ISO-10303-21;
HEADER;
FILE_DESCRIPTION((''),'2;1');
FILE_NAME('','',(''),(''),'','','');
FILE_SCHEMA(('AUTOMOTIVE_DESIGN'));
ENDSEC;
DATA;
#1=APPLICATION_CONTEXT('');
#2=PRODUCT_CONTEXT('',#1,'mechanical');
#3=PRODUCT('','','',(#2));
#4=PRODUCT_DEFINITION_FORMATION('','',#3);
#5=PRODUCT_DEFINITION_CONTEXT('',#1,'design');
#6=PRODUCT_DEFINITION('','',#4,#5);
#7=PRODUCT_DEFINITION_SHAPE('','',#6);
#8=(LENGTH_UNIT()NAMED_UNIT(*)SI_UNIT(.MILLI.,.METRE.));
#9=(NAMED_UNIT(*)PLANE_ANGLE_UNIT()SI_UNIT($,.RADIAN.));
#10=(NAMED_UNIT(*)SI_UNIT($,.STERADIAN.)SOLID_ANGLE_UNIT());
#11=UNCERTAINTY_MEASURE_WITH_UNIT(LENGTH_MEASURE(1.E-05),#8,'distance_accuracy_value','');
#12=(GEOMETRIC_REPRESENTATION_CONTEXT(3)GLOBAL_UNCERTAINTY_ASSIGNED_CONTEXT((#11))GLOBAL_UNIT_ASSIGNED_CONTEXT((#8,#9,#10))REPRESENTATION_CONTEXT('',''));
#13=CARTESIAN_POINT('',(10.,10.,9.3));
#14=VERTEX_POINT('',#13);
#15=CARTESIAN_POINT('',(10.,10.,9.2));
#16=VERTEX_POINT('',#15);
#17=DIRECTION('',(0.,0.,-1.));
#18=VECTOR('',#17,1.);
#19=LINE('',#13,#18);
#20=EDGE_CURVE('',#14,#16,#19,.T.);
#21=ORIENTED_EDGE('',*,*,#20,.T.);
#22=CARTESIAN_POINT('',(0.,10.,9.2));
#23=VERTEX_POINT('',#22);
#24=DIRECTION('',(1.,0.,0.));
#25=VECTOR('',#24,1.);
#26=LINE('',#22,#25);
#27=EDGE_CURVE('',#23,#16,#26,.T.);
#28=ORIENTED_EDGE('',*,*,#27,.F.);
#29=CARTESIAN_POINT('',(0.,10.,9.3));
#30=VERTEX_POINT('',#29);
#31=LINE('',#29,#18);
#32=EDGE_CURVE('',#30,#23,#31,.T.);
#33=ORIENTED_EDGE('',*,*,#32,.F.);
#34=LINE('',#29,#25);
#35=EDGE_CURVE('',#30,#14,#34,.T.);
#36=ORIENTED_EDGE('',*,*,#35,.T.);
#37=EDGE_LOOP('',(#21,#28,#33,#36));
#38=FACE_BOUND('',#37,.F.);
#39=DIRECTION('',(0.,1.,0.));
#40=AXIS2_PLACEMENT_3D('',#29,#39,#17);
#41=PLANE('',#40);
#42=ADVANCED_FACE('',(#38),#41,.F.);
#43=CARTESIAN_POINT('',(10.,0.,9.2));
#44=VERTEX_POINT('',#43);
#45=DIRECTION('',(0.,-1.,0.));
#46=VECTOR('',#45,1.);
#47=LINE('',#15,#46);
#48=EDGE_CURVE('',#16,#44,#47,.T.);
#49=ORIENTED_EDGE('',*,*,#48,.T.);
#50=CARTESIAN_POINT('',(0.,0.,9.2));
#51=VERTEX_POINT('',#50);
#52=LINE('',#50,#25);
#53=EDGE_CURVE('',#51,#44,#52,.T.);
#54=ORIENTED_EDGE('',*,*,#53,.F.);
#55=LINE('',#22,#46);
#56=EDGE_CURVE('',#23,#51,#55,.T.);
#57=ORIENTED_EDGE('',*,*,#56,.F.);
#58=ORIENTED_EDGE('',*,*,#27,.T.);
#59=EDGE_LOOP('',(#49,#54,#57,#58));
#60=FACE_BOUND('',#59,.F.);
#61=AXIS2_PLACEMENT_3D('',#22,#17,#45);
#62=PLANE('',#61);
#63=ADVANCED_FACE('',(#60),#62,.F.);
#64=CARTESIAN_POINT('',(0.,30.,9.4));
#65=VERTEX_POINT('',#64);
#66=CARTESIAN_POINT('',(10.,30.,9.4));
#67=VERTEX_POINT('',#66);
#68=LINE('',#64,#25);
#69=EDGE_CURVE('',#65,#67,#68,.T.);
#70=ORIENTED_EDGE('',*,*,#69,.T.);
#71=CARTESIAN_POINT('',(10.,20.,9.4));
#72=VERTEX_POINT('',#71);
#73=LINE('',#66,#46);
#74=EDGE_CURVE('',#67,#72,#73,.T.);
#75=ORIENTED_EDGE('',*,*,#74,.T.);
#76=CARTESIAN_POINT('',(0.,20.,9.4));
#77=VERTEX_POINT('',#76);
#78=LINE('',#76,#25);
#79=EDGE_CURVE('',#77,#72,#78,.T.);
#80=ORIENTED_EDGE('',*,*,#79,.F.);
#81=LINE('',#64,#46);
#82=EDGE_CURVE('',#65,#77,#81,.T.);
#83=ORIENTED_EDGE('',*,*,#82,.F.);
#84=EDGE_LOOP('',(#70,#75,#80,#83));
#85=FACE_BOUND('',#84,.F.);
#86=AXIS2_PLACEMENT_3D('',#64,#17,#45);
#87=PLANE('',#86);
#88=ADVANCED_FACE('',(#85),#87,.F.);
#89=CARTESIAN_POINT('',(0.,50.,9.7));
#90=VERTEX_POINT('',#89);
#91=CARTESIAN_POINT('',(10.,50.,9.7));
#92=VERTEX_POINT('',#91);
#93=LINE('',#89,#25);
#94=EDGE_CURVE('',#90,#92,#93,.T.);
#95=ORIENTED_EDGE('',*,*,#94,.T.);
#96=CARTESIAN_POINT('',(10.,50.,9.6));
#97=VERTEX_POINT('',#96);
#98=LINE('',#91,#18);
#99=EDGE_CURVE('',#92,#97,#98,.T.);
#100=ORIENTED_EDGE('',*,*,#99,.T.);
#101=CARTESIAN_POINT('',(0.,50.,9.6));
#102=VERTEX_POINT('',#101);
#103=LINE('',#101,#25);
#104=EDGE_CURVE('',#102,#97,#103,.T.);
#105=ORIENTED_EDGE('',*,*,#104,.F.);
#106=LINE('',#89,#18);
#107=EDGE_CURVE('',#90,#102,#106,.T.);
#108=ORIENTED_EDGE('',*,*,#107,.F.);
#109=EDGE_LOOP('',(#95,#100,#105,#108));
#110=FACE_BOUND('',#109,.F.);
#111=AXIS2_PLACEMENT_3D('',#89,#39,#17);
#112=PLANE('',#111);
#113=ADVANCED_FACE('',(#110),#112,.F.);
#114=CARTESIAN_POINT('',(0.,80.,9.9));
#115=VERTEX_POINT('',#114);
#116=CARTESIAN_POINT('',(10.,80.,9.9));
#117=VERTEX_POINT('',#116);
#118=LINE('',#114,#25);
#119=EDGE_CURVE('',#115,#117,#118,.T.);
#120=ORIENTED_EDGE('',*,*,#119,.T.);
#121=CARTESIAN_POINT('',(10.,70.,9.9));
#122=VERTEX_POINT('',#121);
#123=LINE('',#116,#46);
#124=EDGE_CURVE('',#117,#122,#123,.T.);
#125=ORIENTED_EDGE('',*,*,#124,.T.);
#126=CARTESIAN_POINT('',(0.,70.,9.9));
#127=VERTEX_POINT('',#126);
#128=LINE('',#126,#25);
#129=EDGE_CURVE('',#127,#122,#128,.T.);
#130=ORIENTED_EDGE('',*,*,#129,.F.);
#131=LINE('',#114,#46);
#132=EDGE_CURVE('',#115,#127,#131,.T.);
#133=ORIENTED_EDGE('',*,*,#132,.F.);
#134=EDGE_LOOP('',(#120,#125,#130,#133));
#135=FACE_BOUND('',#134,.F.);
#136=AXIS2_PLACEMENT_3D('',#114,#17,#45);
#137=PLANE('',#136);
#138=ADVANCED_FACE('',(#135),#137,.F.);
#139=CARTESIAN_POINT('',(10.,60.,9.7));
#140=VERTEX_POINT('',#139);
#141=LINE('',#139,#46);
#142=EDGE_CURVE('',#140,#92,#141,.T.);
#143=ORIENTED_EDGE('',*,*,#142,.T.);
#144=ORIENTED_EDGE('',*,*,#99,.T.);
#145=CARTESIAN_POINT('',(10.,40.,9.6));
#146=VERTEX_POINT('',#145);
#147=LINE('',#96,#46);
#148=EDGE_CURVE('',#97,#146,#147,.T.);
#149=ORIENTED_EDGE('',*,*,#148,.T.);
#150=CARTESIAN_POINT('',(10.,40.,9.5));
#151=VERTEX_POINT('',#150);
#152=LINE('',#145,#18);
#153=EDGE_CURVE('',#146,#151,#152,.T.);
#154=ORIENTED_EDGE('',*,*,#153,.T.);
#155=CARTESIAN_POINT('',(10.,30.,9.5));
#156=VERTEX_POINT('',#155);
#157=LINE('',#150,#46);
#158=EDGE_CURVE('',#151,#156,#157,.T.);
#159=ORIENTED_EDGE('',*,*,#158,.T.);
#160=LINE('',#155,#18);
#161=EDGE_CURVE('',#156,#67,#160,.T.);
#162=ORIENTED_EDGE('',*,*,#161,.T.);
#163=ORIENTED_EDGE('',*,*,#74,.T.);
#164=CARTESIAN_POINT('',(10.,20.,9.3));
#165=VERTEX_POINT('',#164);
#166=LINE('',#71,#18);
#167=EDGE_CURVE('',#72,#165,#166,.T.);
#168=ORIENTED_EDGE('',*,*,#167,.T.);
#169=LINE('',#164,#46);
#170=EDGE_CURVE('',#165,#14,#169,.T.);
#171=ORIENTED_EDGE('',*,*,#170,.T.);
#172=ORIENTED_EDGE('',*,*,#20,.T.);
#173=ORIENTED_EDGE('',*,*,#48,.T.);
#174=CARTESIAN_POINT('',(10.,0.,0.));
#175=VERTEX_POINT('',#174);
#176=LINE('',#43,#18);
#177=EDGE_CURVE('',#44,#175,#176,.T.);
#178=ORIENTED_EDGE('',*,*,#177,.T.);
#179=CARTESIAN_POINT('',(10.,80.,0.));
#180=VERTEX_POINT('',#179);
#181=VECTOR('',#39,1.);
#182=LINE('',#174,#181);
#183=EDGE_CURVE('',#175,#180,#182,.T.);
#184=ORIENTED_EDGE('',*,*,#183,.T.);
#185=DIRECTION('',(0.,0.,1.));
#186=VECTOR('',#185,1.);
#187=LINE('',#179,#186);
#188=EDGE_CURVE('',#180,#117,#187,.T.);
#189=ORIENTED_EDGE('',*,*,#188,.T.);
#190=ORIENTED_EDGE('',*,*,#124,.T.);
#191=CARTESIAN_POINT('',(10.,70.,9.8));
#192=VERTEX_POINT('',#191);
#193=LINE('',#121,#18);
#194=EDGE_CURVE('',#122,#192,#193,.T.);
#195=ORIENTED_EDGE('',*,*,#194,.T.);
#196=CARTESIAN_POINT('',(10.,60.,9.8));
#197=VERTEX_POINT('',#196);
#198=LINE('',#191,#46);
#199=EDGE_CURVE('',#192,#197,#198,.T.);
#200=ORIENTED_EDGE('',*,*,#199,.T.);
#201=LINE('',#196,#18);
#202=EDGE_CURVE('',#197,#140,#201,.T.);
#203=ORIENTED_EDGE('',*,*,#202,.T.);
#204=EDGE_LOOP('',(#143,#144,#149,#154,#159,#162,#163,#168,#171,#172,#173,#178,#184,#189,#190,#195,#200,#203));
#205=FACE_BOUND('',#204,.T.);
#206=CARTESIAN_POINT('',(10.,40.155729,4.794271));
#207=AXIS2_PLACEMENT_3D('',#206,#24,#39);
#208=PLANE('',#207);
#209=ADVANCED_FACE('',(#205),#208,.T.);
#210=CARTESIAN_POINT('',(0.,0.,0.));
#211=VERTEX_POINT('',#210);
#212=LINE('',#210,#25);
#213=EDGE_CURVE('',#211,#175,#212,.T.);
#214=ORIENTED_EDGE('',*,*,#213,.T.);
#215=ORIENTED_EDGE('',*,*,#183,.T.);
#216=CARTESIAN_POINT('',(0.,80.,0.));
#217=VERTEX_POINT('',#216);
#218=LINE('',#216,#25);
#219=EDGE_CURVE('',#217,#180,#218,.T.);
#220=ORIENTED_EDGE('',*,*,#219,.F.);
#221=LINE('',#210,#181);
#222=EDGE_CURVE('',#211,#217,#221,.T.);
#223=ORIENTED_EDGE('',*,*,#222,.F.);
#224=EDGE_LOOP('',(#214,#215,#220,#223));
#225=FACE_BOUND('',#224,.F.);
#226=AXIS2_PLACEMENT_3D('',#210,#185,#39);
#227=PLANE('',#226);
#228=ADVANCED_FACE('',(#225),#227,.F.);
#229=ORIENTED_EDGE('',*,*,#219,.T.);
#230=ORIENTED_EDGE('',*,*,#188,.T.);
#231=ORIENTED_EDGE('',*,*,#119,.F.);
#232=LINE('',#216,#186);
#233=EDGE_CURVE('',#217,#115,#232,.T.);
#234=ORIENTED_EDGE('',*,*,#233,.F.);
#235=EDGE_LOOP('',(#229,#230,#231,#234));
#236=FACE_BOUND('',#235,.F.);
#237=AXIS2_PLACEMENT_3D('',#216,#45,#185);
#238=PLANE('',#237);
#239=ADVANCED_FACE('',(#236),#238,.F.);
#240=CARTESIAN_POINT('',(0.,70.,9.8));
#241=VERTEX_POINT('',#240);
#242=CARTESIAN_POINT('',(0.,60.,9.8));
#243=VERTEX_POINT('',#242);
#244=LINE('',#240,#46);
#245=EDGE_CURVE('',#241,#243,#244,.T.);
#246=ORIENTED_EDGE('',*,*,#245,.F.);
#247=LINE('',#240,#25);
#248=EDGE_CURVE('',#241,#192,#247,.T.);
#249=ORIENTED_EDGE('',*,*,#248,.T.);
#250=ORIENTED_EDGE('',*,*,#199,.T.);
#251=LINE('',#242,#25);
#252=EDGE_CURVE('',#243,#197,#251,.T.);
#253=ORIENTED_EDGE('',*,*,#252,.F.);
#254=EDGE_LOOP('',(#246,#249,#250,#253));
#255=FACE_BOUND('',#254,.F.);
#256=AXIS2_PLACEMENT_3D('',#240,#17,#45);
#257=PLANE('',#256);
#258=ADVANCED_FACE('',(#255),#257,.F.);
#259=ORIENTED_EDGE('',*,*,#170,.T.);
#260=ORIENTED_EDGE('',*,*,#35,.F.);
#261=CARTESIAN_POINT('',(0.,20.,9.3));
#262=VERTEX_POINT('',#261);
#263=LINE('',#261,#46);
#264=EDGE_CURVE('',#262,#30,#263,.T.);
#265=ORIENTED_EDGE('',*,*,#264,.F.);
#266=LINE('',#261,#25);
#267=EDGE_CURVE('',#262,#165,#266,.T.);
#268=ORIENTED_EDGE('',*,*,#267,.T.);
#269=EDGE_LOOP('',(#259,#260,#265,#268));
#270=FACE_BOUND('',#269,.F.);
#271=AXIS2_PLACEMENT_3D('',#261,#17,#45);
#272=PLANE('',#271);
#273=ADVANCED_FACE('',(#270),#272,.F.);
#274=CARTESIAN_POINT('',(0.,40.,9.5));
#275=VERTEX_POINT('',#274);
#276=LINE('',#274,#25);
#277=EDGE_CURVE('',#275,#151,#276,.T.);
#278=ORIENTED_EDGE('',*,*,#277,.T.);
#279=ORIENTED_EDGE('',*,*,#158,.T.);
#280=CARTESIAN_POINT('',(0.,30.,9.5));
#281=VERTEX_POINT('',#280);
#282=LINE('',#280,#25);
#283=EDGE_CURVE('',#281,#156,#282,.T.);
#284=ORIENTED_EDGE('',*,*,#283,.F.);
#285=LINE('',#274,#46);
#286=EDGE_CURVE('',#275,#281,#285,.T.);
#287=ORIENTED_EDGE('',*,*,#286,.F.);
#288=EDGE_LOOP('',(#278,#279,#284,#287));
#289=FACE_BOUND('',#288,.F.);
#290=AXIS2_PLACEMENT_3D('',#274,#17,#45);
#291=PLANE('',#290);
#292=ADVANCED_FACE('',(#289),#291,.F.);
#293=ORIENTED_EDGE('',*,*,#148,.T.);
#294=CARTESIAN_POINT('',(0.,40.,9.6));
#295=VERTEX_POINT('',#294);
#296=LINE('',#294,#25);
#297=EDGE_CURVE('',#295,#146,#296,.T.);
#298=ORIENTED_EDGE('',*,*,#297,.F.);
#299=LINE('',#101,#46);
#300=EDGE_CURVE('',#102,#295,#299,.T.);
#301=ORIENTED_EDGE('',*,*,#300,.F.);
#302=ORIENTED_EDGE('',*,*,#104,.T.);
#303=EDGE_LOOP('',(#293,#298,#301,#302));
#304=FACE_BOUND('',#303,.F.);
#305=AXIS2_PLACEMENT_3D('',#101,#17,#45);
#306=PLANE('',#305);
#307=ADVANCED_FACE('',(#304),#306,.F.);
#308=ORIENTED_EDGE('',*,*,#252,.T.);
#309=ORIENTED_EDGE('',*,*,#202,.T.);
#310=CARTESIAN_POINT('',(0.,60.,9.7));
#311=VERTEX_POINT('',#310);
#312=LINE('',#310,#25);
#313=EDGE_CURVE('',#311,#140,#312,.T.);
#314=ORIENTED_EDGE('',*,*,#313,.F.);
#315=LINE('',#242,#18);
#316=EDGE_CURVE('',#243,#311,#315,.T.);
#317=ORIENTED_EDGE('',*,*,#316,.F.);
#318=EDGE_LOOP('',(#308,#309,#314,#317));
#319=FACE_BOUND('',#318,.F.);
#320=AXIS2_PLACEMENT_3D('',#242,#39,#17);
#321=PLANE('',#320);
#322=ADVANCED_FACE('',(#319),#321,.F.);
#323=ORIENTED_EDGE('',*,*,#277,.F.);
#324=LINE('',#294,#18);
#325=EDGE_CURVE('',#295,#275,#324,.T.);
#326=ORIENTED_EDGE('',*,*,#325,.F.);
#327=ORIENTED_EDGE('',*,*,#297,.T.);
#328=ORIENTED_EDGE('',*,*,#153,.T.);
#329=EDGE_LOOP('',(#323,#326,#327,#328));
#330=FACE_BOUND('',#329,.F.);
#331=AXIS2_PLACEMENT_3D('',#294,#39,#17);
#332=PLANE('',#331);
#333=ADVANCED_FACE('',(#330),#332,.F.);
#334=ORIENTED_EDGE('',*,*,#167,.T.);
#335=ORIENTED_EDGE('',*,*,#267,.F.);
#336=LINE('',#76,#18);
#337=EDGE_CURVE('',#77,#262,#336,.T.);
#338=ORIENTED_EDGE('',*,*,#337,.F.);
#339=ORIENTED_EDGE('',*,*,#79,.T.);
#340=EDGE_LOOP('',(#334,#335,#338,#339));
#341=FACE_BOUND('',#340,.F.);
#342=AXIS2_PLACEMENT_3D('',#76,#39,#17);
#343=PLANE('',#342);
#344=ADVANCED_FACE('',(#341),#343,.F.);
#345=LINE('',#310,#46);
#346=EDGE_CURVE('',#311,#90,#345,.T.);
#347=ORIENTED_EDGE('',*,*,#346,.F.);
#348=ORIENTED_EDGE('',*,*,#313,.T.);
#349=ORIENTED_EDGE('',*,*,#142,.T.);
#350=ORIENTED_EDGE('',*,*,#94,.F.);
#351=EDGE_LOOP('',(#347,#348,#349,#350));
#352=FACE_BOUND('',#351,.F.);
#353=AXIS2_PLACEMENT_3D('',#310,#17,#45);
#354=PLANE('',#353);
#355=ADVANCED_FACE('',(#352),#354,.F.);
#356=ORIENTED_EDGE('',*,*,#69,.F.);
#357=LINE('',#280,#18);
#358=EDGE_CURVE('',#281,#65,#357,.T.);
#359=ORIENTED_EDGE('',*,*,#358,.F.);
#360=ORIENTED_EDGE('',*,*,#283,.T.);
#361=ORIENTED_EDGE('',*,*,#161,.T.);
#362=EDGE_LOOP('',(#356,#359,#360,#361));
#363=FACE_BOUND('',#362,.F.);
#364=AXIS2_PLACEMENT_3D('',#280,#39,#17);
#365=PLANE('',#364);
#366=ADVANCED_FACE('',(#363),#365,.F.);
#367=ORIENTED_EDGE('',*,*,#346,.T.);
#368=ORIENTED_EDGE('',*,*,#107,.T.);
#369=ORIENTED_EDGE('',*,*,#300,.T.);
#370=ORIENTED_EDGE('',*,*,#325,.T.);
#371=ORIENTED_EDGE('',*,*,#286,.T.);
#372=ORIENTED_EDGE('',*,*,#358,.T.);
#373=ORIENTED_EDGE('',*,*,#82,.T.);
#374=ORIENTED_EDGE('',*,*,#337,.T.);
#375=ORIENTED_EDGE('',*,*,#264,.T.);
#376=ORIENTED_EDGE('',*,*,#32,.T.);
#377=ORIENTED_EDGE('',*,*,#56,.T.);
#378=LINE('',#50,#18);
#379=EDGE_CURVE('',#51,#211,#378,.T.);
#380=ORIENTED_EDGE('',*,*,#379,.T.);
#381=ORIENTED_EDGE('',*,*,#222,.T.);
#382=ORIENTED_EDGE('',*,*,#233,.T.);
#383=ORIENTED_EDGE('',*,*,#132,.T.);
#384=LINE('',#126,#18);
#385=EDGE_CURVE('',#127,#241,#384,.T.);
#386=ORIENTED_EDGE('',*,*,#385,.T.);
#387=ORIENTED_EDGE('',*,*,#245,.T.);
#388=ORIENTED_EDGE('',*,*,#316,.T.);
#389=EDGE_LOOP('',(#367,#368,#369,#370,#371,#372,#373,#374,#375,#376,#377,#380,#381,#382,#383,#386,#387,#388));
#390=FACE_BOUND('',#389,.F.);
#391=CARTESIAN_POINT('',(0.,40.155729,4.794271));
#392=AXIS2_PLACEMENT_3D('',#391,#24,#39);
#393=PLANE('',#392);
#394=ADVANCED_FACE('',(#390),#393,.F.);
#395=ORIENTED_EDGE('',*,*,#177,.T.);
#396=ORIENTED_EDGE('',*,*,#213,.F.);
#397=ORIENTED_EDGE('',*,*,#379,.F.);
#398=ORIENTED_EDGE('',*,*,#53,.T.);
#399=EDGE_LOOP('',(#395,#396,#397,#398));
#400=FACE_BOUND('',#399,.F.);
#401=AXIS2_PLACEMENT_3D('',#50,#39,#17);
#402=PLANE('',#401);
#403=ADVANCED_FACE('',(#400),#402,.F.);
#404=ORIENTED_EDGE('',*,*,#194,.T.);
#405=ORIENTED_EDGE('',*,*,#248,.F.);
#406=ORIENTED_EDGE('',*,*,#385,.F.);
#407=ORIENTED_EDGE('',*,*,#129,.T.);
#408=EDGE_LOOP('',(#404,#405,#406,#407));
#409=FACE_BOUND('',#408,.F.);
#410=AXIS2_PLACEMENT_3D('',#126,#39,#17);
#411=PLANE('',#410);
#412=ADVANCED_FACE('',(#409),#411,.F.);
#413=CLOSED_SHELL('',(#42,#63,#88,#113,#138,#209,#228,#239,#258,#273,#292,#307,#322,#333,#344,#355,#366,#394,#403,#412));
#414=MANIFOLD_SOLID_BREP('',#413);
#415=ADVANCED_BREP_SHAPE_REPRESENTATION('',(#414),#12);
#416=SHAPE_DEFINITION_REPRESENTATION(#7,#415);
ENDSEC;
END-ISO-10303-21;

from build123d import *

# Parameters (mm, degrees)
F1_DEPTH = 10


with BuildPart() as f1:
    # F0 (on Right) → F1 (new body)
    with BuildSketch(Plane.YZ):
        Polygon((0, 9.2), (0, 0), (80, 0), (80, 9.9), (70, 9.9), (70, 9.8), (60, 9.8), (60, 9.7), (50, 9.7), (50, 9.6), (40, 9.6), (40, 9.5), (30, 9.5), (30, 9.4), (20, 9.4), (20, 9.3), (10, 9.3), (10, 9.2), align=None)
    extrude(amount=F1_DEPTH)


solid = f1.part
